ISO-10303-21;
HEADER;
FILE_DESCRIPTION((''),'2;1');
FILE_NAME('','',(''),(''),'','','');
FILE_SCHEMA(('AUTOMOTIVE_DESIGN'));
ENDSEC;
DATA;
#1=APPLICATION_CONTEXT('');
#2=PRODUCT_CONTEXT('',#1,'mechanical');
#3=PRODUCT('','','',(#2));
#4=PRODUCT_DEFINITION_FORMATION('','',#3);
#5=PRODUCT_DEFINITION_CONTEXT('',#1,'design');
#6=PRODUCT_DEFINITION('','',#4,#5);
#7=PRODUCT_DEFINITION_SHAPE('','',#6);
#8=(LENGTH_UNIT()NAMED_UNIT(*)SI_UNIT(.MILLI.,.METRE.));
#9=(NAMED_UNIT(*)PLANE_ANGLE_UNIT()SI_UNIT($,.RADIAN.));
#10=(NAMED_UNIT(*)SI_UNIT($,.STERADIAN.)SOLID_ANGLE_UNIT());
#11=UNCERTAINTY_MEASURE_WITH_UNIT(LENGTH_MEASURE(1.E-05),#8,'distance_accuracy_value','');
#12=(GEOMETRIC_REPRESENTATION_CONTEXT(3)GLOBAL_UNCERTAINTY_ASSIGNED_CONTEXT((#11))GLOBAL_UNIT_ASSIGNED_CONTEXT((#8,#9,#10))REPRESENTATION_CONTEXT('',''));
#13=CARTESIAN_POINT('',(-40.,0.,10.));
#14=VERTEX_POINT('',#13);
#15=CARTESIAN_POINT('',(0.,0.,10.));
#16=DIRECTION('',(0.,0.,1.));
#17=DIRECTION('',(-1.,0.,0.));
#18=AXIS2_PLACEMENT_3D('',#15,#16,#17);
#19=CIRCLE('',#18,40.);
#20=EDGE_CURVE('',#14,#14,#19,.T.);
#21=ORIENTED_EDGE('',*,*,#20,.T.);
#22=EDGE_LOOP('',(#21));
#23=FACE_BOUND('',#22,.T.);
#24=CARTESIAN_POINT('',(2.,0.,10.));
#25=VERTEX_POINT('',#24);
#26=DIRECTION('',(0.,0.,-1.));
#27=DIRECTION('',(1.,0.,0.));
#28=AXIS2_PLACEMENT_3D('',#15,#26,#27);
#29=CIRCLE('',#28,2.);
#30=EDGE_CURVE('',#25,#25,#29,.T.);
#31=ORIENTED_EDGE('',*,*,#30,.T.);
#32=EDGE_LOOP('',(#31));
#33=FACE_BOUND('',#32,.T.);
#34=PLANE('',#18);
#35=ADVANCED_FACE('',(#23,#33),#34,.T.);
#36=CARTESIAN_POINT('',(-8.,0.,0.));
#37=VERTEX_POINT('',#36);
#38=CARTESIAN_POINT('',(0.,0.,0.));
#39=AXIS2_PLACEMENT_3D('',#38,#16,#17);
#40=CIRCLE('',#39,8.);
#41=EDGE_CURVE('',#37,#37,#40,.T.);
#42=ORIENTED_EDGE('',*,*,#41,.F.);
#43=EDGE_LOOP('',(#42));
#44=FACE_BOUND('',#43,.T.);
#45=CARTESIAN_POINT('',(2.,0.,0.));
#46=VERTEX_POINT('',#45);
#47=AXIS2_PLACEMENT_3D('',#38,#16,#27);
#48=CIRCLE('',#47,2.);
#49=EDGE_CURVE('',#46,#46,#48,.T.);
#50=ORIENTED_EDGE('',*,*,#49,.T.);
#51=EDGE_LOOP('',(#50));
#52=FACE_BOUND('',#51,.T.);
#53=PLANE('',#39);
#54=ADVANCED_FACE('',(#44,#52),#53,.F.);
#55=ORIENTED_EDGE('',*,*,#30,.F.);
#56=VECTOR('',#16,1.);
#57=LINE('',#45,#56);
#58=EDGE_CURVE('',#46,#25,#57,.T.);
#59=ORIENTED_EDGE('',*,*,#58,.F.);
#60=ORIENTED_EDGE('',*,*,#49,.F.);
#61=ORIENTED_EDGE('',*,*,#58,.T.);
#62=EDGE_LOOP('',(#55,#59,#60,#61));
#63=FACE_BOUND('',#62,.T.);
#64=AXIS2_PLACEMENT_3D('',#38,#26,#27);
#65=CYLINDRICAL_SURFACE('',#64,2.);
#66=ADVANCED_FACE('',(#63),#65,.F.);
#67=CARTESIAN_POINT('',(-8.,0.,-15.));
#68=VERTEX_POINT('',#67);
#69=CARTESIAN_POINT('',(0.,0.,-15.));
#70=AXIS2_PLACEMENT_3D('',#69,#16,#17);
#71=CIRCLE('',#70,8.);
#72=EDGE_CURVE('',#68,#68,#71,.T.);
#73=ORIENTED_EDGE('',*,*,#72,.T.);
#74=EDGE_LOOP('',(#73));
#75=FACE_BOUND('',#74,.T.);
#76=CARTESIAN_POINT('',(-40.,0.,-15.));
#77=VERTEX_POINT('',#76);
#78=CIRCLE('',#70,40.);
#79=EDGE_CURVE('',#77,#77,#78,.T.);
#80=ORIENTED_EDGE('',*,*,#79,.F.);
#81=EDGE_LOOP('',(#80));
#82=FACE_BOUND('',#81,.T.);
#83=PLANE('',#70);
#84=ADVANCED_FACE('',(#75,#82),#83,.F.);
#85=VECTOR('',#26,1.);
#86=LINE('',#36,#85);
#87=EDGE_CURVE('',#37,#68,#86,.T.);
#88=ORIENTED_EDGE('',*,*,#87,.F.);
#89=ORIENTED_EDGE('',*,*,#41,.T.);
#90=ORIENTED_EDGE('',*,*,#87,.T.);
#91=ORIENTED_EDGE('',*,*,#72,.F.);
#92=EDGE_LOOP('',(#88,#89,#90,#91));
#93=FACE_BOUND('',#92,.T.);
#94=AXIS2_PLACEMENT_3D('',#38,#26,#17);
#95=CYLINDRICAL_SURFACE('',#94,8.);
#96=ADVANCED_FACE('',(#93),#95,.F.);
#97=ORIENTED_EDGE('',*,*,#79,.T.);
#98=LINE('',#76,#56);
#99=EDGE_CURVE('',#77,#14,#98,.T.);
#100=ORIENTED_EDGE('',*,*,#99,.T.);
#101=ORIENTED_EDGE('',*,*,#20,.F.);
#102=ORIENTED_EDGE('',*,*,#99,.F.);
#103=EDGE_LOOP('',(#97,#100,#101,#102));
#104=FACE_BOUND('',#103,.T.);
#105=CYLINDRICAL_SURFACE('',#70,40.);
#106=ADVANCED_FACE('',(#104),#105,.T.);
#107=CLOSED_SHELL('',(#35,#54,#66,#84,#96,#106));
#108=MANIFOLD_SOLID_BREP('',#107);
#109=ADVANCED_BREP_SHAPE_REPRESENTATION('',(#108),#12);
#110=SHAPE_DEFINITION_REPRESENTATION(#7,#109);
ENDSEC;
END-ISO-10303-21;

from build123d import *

# Parameters (mm, degrees)
SKETCH001_R  = 2
POCKET_DEPTH = 10.001


with BuildPart() as part:
    # Sketch → Revolution (revolve)
    with BuildSketch(Plane.XZ):
        Polygon((-8, 0), (-8, -15), (-40, -15), (-40, 10), (0, 10), (0, 0), align=None)
    revolve(axis=Axis((0, 0, 0), (0, 0, 1)))

    # Sketch001 → Pocket (cut, through all)
    with BuildSketch(Plane.XY):
        Circle(SKETCH001_R)
    extrude(amount=POCKET_DEPTH, mode=Mode.SUBTRACT)


solid = part.part
